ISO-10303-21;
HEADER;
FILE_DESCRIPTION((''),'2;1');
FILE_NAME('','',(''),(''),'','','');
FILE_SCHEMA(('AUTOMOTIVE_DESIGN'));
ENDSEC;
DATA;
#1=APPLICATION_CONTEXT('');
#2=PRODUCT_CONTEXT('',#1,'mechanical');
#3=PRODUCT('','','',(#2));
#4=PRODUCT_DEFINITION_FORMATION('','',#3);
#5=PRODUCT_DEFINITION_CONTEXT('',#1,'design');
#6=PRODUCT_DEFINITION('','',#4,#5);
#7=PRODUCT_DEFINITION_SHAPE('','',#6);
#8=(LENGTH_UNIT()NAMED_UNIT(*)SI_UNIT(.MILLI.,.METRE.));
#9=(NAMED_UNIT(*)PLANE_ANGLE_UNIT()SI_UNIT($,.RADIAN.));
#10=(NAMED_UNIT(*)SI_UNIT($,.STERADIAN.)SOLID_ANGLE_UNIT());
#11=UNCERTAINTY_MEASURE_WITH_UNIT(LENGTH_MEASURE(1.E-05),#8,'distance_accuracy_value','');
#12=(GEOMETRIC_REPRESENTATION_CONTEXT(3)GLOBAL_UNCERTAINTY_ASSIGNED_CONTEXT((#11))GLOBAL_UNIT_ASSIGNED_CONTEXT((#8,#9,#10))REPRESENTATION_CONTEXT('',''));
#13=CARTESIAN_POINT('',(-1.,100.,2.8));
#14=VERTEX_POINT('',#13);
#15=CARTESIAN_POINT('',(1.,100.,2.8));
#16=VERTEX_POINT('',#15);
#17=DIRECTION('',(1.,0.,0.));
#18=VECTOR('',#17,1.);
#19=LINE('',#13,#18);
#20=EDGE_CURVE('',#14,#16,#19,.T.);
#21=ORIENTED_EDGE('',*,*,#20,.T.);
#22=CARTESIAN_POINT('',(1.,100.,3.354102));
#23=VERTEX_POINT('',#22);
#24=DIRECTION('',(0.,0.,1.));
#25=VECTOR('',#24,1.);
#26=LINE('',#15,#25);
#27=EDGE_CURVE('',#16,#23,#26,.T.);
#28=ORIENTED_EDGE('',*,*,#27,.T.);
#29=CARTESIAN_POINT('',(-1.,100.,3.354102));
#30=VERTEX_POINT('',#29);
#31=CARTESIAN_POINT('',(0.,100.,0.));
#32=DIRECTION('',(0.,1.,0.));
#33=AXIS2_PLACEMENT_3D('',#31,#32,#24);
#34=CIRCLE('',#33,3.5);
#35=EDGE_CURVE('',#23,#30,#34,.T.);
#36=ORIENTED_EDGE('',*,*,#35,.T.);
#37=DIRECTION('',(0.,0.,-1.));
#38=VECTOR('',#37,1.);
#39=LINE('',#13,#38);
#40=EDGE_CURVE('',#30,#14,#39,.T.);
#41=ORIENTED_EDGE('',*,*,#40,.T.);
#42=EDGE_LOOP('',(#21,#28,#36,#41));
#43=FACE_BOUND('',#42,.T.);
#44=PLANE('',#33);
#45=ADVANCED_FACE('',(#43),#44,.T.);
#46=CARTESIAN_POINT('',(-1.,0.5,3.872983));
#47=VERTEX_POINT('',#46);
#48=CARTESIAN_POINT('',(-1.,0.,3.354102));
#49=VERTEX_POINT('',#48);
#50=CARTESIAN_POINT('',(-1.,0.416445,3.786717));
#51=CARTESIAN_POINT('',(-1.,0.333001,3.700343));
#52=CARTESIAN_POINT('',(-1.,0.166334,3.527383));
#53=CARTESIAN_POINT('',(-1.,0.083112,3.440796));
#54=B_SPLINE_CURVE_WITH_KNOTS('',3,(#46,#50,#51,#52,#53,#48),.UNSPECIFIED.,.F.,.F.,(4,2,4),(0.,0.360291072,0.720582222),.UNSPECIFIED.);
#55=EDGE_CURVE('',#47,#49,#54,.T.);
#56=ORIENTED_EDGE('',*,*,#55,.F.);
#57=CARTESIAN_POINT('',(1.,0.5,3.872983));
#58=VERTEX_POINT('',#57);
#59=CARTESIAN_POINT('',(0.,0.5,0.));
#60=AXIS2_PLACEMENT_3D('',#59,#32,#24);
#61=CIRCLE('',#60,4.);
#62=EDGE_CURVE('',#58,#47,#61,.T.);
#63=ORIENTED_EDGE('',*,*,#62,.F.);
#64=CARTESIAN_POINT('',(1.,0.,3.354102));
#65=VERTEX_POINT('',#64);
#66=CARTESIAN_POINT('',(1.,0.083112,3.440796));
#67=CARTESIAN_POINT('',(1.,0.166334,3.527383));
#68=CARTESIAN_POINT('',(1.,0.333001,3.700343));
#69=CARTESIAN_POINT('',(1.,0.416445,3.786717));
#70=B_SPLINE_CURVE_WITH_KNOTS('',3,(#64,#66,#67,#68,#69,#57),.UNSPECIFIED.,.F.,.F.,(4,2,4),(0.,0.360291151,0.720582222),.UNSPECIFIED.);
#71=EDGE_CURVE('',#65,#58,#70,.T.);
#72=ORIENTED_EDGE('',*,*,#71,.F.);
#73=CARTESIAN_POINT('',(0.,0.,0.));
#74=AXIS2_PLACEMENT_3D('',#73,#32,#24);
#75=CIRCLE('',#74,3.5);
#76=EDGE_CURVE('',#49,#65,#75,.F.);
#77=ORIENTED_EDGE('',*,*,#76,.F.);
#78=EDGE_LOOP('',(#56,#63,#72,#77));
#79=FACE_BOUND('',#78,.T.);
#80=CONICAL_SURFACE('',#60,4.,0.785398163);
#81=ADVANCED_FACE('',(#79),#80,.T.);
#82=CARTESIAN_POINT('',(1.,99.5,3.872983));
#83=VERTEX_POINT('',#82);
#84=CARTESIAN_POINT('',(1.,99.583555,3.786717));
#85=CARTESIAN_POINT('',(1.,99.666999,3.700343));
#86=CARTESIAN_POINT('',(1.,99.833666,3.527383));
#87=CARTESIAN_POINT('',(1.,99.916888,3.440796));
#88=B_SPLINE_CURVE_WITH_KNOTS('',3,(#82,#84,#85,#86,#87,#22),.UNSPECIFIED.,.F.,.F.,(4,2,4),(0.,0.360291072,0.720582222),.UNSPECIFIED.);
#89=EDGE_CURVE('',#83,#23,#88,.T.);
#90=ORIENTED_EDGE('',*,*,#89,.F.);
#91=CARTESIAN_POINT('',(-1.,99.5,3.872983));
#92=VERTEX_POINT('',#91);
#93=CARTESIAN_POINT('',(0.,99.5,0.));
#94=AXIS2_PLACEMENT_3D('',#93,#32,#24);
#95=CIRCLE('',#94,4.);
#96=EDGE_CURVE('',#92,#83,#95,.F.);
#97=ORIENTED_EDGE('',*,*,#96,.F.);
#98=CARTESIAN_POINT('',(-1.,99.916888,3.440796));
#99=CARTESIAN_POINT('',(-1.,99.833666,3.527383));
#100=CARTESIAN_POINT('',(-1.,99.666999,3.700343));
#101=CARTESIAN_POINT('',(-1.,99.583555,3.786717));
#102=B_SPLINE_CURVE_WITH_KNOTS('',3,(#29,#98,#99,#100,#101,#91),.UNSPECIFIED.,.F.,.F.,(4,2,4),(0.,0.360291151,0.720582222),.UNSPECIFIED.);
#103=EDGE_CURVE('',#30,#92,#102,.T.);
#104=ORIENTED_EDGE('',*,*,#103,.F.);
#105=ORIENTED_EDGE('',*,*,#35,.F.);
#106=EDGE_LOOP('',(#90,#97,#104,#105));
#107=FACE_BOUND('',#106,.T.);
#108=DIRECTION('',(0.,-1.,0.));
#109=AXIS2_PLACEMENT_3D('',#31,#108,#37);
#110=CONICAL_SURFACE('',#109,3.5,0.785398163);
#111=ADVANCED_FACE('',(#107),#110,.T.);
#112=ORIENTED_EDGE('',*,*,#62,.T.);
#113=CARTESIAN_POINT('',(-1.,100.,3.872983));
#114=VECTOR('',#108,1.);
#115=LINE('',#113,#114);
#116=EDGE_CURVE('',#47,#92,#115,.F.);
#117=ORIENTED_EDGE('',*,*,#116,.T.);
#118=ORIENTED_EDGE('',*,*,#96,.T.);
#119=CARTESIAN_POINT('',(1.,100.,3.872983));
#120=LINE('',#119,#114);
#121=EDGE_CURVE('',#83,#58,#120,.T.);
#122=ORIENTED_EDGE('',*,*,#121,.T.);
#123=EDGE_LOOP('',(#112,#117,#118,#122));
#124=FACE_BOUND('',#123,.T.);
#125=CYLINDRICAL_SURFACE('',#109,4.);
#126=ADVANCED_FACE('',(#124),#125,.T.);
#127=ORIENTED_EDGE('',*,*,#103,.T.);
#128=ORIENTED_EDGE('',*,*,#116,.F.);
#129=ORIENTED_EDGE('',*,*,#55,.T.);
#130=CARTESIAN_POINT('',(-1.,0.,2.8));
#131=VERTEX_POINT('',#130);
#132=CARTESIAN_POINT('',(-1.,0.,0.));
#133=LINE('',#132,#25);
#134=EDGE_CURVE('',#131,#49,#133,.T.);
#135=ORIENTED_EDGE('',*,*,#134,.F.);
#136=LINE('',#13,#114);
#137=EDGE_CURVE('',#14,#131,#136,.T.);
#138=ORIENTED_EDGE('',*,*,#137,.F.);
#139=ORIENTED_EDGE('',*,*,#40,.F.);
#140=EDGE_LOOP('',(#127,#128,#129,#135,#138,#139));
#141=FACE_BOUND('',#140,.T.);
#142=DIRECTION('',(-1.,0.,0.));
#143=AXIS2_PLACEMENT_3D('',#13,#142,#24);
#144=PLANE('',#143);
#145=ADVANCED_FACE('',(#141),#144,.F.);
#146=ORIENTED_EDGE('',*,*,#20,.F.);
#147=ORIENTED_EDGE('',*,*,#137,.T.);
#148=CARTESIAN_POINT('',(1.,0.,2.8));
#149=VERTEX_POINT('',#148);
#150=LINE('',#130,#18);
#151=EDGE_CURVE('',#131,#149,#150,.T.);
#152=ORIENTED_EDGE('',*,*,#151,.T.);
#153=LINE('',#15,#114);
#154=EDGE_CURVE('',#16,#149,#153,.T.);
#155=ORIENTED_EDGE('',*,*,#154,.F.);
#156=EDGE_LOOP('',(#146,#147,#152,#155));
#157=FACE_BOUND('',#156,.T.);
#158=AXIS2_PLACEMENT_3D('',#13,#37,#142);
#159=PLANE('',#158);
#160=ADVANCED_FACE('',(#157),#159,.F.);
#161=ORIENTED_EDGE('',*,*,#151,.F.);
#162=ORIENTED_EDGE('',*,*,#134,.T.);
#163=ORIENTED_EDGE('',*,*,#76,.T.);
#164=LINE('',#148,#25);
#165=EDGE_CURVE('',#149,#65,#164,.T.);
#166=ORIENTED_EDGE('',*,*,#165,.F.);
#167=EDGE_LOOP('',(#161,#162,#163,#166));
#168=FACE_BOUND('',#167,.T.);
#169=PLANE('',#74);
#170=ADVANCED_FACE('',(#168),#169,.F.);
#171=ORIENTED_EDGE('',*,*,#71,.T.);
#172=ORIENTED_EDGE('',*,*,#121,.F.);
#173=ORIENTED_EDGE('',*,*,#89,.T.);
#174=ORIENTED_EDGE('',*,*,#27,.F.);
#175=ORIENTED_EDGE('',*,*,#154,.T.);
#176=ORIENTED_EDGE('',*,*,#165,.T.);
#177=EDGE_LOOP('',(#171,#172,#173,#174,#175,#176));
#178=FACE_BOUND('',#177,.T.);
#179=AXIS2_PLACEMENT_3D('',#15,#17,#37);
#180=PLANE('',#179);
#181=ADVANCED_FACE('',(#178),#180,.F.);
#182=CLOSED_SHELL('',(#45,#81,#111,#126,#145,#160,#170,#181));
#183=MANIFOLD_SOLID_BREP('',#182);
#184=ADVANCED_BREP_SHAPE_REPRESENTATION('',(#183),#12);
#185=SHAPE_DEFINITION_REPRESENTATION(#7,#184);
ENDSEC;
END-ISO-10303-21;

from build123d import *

# Parameters (mm, degrees)
SKETCH1_R           = 4
BOSS_EXTRUDE1_DEPTH = 100
SKETCH2_W           = 2
SKETCH2_H           = 2
CUT_EXTRUDE1_DEPTH  = 101.159872204
CHAMFER1_SIZE       = 0.5


with BuildPart() as part:
    # Sketch1 → Boss-Extrude1 (new body)
    with BuildSketch(Plane(origin=(0, 0, 0), x_dir=(1, 0, 0), z_dir=(0, 1, 0))):
        with Locations(Location((0, 0, 0), (0, 0, 270))):
            Circle(SKETCH1_R)
    extrude(amount=BOSS_EXTRUDE1_DEPTH)

    # Sketch2 → Cut-Extrude1 (cut, through all)
    with BuildSketch(Plane.XZ):
        with Locations((0, 3.8)):
            Rectangle(SKETCH2_W, SKETCH2_H)
    extrude(amount=-CUT_EXTRUDE1_DEPTH, mode=Mode.SUBTRACT)

    # Chamfer1
    chamfer1_edges = [part.edges().sort_by_distance(p)[0] for p in [
        (0, 0, -4),
        (0, 100, -4),
    ]]
    chamfer(chamfer1_edges, length=CHAMFER1_SIZE)


solid = part.part
